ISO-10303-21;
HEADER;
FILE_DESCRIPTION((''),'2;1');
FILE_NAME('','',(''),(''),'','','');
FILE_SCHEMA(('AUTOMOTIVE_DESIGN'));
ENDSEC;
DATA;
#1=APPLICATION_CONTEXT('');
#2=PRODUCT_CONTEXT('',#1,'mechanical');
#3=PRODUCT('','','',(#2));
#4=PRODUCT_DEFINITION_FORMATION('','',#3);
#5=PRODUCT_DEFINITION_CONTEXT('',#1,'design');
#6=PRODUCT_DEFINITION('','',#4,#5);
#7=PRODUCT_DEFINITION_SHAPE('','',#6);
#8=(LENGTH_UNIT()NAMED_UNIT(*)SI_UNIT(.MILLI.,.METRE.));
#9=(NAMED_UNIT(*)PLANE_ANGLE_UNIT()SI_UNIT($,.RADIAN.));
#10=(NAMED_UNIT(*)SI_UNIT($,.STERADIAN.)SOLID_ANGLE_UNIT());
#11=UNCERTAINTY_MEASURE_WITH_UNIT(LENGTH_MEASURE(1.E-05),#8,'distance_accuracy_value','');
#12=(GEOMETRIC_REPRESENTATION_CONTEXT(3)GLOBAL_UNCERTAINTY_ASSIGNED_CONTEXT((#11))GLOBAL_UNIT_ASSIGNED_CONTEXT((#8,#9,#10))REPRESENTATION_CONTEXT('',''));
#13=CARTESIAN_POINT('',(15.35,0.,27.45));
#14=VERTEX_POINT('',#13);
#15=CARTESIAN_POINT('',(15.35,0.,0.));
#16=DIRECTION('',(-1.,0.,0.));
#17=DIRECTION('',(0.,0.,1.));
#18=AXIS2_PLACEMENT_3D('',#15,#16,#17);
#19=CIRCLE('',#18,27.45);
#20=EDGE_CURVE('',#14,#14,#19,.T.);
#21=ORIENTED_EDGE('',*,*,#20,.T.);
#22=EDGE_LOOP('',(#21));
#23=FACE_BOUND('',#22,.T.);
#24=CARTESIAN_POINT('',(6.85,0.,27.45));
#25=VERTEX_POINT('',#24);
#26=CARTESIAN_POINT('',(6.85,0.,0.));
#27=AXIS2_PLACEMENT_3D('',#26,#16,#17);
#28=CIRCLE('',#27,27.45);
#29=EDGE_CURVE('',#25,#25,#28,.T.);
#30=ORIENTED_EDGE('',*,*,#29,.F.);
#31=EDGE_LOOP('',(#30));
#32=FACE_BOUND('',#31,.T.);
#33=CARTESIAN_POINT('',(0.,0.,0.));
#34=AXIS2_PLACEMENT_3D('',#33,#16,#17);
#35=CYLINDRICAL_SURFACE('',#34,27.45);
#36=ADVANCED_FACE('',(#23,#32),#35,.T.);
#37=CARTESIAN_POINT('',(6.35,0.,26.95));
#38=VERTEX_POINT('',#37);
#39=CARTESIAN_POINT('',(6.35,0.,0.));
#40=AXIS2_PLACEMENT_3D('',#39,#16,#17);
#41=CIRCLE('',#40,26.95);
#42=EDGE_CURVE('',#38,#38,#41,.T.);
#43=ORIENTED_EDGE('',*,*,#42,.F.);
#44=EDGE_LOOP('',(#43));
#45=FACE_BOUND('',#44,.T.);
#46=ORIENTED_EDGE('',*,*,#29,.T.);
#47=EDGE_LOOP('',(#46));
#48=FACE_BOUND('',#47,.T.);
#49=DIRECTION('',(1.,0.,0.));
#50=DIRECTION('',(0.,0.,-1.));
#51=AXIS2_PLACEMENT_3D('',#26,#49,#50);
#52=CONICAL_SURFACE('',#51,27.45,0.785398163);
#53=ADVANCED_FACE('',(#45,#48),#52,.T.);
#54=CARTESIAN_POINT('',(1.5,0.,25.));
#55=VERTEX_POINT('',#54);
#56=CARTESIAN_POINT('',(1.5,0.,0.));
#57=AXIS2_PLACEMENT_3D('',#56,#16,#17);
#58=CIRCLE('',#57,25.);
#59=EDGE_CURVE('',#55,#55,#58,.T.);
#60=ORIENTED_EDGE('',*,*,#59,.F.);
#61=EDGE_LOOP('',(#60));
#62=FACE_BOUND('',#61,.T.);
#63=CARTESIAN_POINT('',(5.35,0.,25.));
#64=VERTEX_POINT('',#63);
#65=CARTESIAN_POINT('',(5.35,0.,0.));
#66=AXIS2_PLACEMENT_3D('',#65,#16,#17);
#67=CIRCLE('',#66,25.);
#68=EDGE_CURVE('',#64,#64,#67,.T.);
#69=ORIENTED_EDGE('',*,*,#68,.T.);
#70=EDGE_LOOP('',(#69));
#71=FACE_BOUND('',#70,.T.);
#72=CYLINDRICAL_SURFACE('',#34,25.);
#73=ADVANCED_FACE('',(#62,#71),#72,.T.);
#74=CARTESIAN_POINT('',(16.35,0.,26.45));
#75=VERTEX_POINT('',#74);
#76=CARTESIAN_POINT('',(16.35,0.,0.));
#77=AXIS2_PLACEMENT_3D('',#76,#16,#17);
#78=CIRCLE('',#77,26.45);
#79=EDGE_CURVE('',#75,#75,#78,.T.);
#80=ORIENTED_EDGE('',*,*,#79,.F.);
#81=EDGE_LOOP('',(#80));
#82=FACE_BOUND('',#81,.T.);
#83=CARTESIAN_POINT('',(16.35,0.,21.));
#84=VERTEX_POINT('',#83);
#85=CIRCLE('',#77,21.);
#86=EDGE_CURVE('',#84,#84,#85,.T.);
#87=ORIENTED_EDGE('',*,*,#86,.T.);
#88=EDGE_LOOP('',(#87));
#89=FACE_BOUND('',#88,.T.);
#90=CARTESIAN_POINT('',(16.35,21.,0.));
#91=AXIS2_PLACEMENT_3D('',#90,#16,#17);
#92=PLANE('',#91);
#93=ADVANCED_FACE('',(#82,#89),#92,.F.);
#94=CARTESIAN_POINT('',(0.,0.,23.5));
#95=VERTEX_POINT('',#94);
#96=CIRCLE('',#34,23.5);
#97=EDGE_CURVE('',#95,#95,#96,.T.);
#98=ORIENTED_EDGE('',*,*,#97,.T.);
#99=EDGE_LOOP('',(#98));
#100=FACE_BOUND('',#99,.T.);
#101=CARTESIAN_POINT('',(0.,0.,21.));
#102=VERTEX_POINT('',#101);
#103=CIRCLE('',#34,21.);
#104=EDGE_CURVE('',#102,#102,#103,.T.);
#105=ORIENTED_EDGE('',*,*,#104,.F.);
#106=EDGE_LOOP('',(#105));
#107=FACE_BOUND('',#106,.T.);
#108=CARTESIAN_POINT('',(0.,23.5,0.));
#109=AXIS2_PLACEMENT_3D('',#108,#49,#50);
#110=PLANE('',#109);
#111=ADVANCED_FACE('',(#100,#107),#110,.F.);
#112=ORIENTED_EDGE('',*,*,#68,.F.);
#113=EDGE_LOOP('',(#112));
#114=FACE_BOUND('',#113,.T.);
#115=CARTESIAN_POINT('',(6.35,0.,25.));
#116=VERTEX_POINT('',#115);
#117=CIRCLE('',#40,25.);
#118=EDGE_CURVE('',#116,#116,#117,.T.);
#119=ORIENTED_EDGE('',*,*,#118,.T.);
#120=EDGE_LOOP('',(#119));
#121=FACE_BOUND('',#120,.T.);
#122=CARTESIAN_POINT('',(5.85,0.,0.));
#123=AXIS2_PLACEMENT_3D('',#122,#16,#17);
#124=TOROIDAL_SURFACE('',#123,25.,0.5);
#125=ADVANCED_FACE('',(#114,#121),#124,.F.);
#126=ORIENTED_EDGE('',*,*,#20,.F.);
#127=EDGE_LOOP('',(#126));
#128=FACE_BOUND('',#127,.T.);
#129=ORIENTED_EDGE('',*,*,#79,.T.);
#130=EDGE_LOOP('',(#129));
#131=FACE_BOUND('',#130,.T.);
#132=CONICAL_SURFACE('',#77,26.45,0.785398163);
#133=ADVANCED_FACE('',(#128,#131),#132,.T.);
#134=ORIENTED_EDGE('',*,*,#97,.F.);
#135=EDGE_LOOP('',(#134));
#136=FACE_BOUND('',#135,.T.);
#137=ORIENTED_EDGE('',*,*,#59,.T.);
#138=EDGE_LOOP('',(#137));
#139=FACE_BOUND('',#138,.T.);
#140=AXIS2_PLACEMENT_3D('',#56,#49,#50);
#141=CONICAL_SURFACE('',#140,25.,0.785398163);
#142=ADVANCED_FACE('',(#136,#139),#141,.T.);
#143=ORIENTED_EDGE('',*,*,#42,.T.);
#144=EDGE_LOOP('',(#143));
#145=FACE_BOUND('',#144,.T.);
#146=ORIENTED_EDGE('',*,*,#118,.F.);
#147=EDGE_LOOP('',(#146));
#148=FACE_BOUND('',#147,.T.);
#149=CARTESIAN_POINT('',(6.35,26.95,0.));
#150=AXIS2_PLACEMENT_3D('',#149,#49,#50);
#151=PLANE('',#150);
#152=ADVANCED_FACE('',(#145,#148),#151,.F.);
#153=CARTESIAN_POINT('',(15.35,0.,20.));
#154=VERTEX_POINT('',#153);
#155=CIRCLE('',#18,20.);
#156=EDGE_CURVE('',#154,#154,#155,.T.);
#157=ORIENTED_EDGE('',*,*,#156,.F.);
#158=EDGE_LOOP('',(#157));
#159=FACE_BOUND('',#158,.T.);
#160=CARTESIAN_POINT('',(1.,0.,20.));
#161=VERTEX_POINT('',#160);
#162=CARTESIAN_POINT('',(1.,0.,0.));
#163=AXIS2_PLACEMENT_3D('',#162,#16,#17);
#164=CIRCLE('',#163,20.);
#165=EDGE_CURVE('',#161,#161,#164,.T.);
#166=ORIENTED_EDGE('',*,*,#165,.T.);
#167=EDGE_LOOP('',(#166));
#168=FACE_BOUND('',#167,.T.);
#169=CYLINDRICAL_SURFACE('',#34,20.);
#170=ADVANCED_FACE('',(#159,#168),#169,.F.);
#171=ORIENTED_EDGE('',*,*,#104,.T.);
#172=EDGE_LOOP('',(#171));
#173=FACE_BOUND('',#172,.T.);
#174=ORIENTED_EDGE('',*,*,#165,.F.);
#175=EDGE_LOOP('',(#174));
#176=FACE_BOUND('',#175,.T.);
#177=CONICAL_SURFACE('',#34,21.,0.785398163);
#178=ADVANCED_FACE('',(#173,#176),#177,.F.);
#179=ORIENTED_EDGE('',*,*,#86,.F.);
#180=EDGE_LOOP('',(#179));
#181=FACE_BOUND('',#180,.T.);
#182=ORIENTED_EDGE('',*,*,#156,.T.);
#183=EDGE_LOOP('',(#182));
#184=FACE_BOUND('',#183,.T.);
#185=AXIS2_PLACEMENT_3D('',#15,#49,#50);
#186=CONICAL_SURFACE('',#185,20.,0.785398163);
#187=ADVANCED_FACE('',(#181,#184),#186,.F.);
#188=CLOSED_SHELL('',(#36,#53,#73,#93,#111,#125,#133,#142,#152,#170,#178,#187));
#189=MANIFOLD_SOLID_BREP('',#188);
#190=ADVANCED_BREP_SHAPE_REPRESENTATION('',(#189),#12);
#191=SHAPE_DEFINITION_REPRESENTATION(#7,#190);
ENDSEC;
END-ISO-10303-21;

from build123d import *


with BuildPart() as part:
    # Croquis2 → Revolución1 (revolve)
    with BuildSketch(Plane.XY, mode=Mode.PRIVATE) as revoluci_n1_sk:
        with BuildLine():
            Line((0, 23.5), (0, 21))
            Line((0, 21), (1, 20))
            Line((1, 20), (15.35, 20))
            Line((15.35, 20), (16.35, 21))
            Line((16.35, 21), (16.35, 26.45))
            Line((16.35, 26.45), (15.35, 27.45))
            Line((15.35, 27.45), (6.85, 27.45))
            Line((6.85, 27.45), (6.35, 26.95))
            Line((6.35, 26.95), (6.35, 25))
            ThreePointArc((6.35, 25), (5.85, 24.5), (5.35, 25))
            Line((5.35, 25), (1.5, 25))
            Line((1.5, 25), (0, 23.5))
        make_face()
    revolve(revoluci_n1_sk.sketch.rotate(Axis((0, 0, 0), (1, 0, 0)), 90), axis=Axis((0, 0, 0), (1, 0, 0)))


solid = part.part
